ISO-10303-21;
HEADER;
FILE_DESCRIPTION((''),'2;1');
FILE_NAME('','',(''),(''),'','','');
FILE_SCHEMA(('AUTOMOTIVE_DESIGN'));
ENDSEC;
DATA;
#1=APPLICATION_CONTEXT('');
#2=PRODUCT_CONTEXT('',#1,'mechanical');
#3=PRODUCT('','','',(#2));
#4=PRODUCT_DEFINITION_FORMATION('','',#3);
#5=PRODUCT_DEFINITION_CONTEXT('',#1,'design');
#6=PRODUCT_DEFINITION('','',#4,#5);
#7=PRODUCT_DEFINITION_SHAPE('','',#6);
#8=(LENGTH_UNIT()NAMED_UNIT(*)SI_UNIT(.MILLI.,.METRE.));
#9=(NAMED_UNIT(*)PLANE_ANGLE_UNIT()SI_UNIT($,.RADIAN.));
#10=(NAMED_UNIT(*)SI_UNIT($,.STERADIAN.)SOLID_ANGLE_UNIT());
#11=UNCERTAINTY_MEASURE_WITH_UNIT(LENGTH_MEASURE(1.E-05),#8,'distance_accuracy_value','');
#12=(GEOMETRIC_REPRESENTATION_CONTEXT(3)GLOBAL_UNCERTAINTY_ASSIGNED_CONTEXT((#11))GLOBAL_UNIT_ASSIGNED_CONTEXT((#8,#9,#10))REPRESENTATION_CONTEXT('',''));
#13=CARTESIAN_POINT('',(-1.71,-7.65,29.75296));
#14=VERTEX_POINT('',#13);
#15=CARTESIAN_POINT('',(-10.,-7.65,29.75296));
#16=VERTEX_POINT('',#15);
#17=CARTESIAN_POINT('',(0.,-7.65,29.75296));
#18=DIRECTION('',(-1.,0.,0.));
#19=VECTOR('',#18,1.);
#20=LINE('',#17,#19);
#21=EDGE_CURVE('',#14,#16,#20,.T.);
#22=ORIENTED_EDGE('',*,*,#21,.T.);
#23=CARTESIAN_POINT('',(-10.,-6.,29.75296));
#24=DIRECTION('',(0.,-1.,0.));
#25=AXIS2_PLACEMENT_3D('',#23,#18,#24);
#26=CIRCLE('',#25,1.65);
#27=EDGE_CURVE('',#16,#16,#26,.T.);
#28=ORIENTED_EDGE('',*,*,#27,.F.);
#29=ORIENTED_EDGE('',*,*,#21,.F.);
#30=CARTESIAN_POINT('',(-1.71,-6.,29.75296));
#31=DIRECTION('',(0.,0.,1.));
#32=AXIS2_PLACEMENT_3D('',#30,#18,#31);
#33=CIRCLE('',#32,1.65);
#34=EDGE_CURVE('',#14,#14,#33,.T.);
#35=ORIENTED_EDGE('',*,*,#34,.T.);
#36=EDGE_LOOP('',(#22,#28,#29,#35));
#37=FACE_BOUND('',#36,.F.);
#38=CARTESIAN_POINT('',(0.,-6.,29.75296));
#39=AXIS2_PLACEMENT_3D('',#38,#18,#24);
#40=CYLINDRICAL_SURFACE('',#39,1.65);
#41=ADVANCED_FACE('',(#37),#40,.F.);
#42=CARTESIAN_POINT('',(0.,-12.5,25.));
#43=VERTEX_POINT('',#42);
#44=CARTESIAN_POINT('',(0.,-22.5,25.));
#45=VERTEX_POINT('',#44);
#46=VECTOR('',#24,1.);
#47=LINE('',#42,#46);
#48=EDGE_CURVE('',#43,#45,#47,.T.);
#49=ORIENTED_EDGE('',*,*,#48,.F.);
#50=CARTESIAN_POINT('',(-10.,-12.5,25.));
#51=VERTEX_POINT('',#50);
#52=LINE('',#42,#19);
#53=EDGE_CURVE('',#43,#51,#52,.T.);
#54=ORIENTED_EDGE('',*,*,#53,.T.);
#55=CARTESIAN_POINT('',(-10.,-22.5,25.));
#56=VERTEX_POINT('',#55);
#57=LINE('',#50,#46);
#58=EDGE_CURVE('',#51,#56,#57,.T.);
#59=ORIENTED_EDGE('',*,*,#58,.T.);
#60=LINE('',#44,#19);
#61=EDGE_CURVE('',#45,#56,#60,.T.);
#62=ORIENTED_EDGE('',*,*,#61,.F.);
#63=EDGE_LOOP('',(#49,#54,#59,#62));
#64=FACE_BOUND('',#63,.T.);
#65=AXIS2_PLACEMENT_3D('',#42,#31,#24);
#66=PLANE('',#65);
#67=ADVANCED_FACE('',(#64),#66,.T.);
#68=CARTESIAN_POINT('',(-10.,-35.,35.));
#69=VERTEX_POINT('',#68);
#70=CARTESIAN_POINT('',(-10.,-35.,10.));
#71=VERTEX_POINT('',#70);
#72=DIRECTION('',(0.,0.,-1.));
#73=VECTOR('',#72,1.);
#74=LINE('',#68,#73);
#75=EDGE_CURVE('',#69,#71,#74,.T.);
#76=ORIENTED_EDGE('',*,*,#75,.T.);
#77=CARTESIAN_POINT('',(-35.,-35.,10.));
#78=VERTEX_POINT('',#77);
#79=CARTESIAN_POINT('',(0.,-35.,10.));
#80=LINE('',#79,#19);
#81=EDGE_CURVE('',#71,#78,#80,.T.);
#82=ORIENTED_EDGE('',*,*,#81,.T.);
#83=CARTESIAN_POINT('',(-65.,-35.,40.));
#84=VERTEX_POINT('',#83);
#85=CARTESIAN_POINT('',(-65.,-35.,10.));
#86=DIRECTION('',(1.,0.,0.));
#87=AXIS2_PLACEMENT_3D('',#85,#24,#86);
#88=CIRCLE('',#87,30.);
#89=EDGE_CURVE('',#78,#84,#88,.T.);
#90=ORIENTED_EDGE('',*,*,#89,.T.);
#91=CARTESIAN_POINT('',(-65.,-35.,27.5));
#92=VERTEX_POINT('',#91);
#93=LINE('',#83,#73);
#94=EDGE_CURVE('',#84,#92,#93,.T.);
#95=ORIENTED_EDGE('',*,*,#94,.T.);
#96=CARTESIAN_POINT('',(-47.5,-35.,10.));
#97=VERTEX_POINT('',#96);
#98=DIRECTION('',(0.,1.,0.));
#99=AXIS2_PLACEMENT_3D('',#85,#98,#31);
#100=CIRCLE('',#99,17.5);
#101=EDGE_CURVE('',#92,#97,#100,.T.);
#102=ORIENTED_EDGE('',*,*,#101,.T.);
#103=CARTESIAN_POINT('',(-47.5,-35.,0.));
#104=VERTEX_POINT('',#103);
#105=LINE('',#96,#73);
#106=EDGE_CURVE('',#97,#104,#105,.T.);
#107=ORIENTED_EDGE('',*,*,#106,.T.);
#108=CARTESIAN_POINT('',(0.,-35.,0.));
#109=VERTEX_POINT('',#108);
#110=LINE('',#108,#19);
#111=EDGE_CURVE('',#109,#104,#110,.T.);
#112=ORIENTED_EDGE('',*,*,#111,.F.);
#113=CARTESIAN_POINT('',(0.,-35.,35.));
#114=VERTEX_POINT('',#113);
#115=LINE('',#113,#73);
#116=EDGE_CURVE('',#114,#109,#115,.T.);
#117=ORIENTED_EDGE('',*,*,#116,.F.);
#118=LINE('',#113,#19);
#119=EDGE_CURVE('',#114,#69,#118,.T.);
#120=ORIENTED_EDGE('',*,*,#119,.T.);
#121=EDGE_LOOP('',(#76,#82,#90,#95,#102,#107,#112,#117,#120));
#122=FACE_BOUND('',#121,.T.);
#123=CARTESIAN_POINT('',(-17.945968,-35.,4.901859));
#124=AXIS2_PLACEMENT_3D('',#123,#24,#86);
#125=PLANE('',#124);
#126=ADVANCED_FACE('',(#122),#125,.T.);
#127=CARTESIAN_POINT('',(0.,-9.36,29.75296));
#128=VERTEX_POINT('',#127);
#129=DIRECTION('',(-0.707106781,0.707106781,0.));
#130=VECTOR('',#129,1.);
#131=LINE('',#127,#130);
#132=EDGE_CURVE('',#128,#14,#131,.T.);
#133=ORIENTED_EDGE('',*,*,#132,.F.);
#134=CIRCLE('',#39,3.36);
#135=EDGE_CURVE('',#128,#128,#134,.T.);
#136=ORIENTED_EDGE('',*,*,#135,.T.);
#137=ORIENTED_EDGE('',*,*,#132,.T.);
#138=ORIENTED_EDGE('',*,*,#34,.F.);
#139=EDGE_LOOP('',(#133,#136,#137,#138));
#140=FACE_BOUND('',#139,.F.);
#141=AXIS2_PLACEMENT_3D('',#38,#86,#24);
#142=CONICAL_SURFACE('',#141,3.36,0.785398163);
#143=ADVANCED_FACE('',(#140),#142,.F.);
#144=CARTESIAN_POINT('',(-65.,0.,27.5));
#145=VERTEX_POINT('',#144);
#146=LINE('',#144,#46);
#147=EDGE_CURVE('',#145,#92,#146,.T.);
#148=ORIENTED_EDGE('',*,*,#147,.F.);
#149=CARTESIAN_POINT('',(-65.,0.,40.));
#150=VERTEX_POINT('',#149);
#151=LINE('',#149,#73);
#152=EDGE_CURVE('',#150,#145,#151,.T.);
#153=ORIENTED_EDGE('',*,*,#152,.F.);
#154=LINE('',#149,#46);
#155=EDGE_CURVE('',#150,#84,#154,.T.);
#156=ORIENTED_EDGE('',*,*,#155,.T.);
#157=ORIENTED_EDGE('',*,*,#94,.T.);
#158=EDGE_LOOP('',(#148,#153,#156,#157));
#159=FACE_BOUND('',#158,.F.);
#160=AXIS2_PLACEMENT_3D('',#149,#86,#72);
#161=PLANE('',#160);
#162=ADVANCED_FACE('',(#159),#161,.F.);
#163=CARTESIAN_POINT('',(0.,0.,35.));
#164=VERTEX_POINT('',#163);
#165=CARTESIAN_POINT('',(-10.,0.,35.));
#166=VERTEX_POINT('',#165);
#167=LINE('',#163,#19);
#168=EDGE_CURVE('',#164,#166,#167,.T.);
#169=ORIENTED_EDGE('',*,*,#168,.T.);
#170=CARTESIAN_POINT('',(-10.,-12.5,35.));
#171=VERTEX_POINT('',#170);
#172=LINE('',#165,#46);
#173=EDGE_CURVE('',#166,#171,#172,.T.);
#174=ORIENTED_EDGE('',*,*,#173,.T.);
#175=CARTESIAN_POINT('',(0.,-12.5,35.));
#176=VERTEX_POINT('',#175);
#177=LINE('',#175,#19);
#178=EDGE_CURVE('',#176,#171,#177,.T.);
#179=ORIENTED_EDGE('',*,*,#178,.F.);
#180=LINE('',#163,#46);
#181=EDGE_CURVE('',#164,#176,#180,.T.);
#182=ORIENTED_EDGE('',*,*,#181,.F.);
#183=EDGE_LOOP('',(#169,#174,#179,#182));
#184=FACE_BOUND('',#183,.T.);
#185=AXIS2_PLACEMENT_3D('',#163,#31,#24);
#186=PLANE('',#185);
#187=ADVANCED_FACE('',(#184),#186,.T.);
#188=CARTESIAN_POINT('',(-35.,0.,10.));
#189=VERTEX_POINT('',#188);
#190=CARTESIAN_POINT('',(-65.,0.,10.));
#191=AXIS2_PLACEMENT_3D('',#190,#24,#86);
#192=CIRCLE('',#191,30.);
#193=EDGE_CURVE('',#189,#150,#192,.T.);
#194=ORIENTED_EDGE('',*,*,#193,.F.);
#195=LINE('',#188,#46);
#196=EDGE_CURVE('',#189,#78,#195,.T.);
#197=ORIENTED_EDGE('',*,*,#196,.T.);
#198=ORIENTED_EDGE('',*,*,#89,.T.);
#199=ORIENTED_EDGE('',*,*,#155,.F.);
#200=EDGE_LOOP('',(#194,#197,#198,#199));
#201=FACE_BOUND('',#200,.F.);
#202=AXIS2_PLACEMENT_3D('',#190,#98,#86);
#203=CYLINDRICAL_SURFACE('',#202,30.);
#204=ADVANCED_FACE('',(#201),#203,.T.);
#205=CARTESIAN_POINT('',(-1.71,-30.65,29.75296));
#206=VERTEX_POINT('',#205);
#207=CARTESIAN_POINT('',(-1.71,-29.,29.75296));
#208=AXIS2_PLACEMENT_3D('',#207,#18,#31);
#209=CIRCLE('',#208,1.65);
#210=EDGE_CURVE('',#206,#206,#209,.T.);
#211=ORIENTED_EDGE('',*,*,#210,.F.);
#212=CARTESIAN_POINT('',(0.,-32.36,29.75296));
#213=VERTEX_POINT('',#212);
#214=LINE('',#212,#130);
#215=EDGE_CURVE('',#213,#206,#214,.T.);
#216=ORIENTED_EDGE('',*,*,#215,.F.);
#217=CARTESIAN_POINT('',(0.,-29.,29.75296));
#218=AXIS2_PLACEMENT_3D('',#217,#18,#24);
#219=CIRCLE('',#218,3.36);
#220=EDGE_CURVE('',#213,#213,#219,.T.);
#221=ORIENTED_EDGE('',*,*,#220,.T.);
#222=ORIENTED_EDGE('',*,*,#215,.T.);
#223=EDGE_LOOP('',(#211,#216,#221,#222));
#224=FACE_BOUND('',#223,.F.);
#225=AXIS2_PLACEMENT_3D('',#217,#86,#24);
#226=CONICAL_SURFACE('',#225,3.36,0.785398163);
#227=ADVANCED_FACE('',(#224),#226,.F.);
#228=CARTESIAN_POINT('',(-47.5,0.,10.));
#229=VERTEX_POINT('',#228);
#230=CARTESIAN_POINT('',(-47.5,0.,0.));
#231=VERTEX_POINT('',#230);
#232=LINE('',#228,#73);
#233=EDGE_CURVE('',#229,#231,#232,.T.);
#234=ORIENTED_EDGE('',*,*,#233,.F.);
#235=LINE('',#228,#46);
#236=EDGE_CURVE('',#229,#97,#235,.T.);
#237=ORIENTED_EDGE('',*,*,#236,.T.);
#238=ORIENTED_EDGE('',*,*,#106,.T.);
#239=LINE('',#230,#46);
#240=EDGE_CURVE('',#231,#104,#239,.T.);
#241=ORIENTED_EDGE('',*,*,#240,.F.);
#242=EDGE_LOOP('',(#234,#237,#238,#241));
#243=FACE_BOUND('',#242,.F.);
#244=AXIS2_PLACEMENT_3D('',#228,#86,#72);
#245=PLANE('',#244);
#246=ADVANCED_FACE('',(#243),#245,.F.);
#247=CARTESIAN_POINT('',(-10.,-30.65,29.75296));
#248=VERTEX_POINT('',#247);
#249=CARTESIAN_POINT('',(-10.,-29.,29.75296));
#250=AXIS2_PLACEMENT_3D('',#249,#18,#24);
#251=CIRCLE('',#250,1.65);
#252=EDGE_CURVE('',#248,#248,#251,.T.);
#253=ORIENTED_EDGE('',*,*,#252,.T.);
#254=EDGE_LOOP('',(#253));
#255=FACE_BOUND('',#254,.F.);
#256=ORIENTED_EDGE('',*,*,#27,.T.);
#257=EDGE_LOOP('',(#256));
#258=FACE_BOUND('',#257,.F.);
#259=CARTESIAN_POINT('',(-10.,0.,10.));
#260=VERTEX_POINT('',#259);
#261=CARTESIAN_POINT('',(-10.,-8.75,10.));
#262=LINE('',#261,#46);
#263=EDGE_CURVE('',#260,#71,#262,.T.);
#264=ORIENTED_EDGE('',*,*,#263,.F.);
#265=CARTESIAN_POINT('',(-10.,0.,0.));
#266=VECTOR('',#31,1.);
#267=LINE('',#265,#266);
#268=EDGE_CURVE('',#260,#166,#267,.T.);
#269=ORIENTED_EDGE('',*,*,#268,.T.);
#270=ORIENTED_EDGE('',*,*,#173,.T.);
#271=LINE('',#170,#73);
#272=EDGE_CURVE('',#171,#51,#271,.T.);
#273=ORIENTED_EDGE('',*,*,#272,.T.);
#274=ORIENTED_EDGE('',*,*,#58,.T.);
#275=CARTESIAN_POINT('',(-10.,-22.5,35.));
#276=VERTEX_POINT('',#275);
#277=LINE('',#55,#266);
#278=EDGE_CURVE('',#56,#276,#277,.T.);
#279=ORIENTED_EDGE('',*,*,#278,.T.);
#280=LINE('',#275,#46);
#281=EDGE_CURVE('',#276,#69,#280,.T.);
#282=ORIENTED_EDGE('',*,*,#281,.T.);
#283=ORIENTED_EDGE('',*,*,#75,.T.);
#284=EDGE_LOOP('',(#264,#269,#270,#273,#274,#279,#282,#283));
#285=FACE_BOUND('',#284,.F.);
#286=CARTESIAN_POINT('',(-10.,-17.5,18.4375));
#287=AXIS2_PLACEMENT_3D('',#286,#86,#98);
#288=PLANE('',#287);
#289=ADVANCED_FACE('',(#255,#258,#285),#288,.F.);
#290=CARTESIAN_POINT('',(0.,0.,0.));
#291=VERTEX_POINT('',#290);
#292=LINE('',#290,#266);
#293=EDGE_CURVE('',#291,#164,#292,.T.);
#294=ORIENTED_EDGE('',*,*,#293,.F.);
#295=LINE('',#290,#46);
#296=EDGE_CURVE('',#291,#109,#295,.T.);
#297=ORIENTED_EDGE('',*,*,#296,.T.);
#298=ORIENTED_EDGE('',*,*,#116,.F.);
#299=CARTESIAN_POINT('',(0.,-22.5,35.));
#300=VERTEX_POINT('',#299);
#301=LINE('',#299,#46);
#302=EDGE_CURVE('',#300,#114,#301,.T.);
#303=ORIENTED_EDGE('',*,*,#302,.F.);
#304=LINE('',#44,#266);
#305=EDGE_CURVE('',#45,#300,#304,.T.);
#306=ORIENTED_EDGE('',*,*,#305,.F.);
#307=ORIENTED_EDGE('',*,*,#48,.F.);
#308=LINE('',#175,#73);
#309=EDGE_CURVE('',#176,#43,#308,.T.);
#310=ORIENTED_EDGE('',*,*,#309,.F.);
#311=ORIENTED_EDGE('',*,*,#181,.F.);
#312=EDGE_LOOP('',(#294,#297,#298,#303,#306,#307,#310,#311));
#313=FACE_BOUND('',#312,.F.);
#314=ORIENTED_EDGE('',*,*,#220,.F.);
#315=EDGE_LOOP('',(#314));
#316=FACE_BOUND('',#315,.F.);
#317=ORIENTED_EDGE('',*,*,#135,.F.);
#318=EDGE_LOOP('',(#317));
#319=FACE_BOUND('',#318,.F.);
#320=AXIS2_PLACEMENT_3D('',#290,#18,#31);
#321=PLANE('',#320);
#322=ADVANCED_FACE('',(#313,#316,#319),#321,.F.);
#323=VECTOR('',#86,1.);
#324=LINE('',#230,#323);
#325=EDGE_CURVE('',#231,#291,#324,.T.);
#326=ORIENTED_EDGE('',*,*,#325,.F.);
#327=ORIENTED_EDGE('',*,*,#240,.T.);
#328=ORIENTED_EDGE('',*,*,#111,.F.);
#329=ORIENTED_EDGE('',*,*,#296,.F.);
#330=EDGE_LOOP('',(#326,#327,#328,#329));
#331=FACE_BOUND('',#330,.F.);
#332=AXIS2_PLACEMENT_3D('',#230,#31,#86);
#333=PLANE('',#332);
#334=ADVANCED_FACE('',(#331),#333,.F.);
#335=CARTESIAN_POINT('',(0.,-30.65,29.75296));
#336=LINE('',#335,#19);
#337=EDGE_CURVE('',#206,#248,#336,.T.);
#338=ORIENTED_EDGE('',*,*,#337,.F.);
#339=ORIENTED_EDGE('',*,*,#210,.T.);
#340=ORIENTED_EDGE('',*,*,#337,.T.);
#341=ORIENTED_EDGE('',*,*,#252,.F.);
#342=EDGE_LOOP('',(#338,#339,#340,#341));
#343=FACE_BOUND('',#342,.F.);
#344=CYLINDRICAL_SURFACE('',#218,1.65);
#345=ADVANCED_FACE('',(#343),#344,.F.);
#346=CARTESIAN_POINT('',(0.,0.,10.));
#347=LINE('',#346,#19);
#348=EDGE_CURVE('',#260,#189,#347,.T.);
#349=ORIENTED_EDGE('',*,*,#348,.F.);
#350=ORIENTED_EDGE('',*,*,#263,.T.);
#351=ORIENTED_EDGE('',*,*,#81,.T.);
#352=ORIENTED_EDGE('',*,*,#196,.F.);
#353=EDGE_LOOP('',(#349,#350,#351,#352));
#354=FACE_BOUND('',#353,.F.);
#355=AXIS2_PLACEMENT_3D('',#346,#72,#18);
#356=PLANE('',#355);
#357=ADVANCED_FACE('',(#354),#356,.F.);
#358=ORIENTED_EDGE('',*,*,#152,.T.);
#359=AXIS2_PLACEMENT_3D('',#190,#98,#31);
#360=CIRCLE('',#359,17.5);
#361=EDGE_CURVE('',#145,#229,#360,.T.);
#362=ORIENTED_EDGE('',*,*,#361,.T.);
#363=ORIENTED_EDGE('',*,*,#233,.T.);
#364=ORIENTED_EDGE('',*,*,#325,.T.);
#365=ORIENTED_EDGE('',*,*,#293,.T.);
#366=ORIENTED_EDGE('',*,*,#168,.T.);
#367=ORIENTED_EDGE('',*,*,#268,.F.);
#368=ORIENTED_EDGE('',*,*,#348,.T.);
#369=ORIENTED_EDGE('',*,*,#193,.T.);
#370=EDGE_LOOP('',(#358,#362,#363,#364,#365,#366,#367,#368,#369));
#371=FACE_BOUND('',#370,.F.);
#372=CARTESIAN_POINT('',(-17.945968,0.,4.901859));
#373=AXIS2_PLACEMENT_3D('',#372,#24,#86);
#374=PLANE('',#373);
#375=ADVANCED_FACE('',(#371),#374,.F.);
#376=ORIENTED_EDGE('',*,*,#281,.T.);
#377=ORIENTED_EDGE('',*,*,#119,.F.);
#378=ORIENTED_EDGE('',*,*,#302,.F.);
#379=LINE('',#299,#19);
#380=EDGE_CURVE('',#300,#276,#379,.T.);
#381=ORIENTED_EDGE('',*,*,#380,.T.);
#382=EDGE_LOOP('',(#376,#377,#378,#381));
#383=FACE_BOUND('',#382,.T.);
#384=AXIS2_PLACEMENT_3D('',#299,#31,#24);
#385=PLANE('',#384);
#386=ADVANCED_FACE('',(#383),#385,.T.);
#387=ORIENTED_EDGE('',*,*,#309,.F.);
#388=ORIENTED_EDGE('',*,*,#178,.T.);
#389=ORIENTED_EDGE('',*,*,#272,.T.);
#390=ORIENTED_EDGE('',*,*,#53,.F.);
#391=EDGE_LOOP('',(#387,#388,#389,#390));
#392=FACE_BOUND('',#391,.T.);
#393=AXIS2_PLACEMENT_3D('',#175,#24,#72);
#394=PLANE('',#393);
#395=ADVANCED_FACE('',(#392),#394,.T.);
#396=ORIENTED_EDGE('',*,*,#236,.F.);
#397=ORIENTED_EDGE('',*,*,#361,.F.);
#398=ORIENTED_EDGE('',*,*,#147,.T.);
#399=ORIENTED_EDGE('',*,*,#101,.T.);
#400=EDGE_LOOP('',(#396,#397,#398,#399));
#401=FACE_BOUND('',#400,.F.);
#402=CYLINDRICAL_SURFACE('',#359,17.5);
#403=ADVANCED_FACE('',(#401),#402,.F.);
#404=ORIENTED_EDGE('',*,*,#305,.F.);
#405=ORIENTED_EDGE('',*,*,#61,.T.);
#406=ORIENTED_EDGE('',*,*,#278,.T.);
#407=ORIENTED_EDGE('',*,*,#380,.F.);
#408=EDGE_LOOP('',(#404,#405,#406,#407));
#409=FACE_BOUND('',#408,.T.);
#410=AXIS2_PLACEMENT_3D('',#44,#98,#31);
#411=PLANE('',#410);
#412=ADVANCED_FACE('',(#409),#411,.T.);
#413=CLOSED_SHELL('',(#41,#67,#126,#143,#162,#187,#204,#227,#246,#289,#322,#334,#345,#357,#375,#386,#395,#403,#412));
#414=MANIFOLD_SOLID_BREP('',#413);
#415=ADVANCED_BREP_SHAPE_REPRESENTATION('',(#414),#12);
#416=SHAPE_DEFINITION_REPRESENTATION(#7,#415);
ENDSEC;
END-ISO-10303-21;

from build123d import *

# Parameters (mm, degrees)
F1_DEPTH       = 35
F3_DEPTH       = 10
F4_D           = 3.3
F4_DEPTH       = 13.5
F4_CSINK_D     = 6.72
F4_CSINK_ANGLE = 90
F4_TIP         = 0.9914200214


with BuildPart() as f1:
    # F0 (on Front) → F1 (new body)
    with BuildSketch(Plane.XZ):
        with BuildLine():
            Line((-36.7157287525, 0), (0, 0))
            Line((0, 0), (0, 10))
            Line((0, 10), (-35, 10))
            ThreePointArc((-35, 10), (-35.4320432104, 4.9269406382), (-36.7157287525, 0))
        make_face()
        with BuildLine():
            Line((-47.5, 0), (-36.7157287525, 0))
            ThreePointArc((-36.7157287525, 0), (-35.4320432104, 4.9269406382), (-35, 10))
            Line((-35, 10), (-47.5, 10))
            Line((-47.5, 10), (-47.5, 0))
        make_face()
        with BuildLine():
            ThreePointArc((-35, 10), (-43.7867965644, 31.2132034356), (-65, 40))
            Line((-65, 40), (-65, 27.5))
            ThreePointArc((-65, 27.5), (-52.6256313292, 22.3743686708), (-47.5, 10))
            Line((-47.5, 10), (-35, 10))
        make_face()
    extrude(amount=F1_DEPTH)

    # F2 (on Right) → F3 (join)
    with BuildSketch(Plane.YZ):
        Polygon((-35, 0), (0, 0), (0, 35), (-12.5, 35), (-12.5, 25), (-22.5, 25), (-22.5, 35), (-35, 35), align=None)
    extrude(amount=-F3_DEPTH)

    # F4
    with Locations(Plane.YZ):
        with Locations((-29, 29.7529604286), (-6, 29.7529604286)):
            CounterSinkHole(F4_D / 2, F4_CSINK_D / 2, depth=F4_DEPTH, counter_sink_angle=F4_CSINK_ANGLE)
            with Locations((0, 0, -(F4_DEPTH + F4_TIP / 2))):  # 118° drill point
                Cone(0, F4_D / 2, F4_TIP, mode=Mode.SUBTRACT)


solid = f1.part
